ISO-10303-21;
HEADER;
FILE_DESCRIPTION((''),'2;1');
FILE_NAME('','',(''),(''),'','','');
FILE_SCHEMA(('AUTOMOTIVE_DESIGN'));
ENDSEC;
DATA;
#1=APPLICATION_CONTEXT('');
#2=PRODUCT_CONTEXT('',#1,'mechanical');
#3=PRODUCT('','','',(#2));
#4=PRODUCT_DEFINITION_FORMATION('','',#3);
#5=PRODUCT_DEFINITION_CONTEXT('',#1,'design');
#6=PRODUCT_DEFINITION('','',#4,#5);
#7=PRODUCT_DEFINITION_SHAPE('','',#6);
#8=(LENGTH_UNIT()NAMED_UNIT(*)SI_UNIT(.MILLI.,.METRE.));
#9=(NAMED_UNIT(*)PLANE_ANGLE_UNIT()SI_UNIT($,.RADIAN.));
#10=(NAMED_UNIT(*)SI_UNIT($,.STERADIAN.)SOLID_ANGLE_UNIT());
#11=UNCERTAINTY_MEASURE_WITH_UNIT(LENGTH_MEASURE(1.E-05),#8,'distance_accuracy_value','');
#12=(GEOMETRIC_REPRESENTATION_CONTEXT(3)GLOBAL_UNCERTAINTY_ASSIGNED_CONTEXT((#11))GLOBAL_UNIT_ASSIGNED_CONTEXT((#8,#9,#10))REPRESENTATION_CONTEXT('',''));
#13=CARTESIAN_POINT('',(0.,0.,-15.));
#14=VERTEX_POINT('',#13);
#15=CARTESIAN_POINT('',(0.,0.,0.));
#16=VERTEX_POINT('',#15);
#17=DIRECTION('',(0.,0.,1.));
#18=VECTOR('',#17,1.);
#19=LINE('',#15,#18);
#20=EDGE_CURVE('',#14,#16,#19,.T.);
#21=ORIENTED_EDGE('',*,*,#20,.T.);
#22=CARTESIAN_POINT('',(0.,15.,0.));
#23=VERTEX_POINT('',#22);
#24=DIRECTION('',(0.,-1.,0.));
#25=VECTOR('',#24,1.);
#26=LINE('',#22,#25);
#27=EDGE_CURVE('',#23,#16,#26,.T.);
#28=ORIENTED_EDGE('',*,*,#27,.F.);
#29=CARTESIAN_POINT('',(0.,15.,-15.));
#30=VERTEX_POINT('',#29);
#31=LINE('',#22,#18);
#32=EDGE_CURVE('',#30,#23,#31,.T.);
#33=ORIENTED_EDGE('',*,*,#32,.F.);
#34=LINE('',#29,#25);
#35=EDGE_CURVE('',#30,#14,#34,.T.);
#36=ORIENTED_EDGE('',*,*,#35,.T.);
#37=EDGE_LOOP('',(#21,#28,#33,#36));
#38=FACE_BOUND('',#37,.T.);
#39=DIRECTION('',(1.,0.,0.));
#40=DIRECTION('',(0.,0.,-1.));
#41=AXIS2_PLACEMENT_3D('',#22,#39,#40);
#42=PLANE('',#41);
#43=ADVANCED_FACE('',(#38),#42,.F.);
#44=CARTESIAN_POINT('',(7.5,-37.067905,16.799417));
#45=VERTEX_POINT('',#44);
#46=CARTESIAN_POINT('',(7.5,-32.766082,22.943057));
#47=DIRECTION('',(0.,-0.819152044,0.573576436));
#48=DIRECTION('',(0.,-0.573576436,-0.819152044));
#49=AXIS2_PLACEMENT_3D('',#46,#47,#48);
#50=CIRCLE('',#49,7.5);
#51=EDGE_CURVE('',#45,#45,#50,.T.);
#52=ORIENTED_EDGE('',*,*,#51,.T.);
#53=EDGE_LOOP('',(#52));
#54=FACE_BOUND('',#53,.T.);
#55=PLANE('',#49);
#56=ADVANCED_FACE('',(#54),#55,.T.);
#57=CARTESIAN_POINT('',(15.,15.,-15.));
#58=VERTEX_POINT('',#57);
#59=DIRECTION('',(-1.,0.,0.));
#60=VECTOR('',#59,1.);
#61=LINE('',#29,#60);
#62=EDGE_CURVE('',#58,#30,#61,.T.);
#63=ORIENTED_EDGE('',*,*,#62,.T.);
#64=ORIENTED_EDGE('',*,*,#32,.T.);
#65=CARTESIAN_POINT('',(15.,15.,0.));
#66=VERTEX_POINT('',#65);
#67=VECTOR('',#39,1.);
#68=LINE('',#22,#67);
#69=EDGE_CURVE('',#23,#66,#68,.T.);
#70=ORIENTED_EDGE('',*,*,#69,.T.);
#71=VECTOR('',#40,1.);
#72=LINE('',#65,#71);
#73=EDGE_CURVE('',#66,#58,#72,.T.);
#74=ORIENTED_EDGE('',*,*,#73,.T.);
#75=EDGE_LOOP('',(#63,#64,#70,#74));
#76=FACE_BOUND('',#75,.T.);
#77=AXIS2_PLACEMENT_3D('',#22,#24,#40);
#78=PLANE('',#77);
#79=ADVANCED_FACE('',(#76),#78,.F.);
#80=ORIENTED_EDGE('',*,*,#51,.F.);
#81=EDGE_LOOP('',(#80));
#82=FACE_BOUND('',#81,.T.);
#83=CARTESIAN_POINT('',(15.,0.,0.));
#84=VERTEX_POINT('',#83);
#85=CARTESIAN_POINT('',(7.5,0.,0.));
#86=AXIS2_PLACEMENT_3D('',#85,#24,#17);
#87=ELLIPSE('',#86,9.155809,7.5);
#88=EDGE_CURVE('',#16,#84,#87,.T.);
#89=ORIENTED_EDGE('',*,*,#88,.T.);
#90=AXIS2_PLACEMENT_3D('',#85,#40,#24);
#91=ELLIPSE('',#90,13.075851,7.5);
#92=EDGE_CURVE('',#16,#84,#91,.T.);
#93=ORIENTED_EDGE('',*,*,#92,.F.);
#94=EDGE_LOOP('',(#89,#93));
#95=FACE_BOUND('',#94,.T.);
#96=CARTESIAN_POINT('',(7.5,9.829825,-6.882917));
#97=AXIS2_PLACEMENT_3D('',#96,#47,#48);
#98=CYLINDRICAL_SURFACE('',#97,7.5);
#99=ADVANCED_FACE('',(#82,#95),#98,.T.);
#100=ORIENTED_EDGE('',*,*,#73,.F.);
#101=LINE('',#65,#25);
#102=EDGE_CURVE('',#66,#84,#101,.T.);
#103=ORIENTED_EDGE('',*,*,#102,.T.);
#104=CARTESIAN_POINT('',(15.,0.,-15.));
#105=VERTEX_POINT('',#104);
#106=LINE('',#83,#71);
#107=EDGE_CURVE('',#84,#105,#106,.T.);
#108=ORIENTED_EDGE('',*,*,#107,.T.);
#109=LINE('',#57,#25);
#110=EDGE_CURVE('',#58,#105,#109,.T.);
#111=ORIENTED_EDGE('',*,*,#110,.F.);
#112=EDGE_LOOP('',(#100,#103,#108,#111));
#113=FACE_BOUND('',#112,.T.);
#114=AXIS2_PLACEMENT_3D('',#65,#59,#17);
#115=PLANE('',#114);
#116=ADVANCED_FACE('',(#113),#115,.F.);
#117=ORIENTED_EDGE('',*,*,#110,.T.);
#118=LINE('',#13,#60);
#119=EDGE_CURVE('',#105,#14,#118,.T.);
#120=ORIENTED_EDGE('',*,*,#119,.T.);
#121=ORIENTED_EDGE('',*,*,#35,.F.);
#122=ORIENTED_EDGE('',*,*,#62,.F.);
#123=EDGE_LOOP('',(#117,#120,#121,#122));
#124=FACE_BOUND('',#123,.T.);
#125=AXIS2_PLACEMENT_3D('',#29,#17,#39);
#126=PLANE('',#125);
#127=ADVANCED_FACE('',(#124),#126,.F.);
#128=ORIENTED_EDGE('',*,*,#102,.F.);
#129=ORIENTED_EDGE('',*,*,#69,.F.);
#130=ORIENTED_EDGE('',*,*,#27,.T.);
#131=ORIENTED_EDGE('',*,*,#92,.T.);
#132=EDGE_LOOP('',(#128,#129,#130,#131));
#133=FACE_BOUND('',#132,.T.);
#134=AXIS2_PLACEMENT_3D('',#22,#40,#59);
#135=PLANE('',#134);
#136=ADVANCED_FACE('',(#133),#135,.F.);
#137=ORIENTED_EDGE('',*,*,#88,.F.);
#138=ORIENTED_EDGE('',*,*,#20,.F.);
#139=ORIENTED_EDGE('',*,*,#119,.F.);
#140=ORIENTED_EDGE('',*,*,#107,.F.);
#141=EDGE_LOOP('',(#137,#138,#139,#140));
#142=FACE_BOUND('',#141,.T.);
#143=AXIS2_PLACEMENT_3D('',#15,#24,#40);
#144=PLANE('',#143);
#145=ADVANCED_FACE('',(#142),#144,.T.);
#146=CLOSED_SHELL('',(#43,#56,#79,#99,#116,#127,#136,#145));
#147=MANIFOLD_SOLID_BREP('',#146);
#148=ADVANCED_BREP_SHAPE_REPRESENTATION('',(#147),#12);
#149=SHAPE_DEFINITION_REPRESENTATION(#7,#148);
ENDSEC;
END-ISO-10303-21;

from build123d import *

# Parameters (mm, degrees)
SKETCH1_W                = 15
SKETCH1_H                = 15
BOSS_EXTRUDE1_DEPTH      = 15
BOSS_EXTRUDE2_DEPTH      = 40
BOSS_EXTRUDE2_DEPTH_BACK = 12
SKETCH2_R                = 7.5


with BuildPart() as part:
    # Sketch1 → Boss-Extrude1 (new body)
    with BuildSketch(Plane(origin=(0, 0, 0), x_dir=(1, 0, 0), z_dir=(0, 1, 0))):
        with Locations((7.5, 7.5)):
            Rectangle(SKETCH1_W, SKETCH1_H)
    extrude(amount=BOSS_EXTRUDE1_DEPTH)

    # Sketch2 → Boss-Extrude2 (add, two sides: drawn at the far end of the back side and taken through both)
    with BuildSketch(Plane(origin=(0, 0, 0), x_dir=(1, 0, 0), z_dir=(0, -0.8191520442889992, 0.5735764363510355)).offset(-BOSS_EXTRUDE2_DEPTH_BACK)):
        with Locations(Location((7.5, 0, 0), (0, 0, 270))):
            Circle(SKETCH2_R)
    extrude(amount=BOSS_EXTRUDE2_DEPTH + BOSS_EXTRUDE2_DEPTH_BACK)


solid = part.part
